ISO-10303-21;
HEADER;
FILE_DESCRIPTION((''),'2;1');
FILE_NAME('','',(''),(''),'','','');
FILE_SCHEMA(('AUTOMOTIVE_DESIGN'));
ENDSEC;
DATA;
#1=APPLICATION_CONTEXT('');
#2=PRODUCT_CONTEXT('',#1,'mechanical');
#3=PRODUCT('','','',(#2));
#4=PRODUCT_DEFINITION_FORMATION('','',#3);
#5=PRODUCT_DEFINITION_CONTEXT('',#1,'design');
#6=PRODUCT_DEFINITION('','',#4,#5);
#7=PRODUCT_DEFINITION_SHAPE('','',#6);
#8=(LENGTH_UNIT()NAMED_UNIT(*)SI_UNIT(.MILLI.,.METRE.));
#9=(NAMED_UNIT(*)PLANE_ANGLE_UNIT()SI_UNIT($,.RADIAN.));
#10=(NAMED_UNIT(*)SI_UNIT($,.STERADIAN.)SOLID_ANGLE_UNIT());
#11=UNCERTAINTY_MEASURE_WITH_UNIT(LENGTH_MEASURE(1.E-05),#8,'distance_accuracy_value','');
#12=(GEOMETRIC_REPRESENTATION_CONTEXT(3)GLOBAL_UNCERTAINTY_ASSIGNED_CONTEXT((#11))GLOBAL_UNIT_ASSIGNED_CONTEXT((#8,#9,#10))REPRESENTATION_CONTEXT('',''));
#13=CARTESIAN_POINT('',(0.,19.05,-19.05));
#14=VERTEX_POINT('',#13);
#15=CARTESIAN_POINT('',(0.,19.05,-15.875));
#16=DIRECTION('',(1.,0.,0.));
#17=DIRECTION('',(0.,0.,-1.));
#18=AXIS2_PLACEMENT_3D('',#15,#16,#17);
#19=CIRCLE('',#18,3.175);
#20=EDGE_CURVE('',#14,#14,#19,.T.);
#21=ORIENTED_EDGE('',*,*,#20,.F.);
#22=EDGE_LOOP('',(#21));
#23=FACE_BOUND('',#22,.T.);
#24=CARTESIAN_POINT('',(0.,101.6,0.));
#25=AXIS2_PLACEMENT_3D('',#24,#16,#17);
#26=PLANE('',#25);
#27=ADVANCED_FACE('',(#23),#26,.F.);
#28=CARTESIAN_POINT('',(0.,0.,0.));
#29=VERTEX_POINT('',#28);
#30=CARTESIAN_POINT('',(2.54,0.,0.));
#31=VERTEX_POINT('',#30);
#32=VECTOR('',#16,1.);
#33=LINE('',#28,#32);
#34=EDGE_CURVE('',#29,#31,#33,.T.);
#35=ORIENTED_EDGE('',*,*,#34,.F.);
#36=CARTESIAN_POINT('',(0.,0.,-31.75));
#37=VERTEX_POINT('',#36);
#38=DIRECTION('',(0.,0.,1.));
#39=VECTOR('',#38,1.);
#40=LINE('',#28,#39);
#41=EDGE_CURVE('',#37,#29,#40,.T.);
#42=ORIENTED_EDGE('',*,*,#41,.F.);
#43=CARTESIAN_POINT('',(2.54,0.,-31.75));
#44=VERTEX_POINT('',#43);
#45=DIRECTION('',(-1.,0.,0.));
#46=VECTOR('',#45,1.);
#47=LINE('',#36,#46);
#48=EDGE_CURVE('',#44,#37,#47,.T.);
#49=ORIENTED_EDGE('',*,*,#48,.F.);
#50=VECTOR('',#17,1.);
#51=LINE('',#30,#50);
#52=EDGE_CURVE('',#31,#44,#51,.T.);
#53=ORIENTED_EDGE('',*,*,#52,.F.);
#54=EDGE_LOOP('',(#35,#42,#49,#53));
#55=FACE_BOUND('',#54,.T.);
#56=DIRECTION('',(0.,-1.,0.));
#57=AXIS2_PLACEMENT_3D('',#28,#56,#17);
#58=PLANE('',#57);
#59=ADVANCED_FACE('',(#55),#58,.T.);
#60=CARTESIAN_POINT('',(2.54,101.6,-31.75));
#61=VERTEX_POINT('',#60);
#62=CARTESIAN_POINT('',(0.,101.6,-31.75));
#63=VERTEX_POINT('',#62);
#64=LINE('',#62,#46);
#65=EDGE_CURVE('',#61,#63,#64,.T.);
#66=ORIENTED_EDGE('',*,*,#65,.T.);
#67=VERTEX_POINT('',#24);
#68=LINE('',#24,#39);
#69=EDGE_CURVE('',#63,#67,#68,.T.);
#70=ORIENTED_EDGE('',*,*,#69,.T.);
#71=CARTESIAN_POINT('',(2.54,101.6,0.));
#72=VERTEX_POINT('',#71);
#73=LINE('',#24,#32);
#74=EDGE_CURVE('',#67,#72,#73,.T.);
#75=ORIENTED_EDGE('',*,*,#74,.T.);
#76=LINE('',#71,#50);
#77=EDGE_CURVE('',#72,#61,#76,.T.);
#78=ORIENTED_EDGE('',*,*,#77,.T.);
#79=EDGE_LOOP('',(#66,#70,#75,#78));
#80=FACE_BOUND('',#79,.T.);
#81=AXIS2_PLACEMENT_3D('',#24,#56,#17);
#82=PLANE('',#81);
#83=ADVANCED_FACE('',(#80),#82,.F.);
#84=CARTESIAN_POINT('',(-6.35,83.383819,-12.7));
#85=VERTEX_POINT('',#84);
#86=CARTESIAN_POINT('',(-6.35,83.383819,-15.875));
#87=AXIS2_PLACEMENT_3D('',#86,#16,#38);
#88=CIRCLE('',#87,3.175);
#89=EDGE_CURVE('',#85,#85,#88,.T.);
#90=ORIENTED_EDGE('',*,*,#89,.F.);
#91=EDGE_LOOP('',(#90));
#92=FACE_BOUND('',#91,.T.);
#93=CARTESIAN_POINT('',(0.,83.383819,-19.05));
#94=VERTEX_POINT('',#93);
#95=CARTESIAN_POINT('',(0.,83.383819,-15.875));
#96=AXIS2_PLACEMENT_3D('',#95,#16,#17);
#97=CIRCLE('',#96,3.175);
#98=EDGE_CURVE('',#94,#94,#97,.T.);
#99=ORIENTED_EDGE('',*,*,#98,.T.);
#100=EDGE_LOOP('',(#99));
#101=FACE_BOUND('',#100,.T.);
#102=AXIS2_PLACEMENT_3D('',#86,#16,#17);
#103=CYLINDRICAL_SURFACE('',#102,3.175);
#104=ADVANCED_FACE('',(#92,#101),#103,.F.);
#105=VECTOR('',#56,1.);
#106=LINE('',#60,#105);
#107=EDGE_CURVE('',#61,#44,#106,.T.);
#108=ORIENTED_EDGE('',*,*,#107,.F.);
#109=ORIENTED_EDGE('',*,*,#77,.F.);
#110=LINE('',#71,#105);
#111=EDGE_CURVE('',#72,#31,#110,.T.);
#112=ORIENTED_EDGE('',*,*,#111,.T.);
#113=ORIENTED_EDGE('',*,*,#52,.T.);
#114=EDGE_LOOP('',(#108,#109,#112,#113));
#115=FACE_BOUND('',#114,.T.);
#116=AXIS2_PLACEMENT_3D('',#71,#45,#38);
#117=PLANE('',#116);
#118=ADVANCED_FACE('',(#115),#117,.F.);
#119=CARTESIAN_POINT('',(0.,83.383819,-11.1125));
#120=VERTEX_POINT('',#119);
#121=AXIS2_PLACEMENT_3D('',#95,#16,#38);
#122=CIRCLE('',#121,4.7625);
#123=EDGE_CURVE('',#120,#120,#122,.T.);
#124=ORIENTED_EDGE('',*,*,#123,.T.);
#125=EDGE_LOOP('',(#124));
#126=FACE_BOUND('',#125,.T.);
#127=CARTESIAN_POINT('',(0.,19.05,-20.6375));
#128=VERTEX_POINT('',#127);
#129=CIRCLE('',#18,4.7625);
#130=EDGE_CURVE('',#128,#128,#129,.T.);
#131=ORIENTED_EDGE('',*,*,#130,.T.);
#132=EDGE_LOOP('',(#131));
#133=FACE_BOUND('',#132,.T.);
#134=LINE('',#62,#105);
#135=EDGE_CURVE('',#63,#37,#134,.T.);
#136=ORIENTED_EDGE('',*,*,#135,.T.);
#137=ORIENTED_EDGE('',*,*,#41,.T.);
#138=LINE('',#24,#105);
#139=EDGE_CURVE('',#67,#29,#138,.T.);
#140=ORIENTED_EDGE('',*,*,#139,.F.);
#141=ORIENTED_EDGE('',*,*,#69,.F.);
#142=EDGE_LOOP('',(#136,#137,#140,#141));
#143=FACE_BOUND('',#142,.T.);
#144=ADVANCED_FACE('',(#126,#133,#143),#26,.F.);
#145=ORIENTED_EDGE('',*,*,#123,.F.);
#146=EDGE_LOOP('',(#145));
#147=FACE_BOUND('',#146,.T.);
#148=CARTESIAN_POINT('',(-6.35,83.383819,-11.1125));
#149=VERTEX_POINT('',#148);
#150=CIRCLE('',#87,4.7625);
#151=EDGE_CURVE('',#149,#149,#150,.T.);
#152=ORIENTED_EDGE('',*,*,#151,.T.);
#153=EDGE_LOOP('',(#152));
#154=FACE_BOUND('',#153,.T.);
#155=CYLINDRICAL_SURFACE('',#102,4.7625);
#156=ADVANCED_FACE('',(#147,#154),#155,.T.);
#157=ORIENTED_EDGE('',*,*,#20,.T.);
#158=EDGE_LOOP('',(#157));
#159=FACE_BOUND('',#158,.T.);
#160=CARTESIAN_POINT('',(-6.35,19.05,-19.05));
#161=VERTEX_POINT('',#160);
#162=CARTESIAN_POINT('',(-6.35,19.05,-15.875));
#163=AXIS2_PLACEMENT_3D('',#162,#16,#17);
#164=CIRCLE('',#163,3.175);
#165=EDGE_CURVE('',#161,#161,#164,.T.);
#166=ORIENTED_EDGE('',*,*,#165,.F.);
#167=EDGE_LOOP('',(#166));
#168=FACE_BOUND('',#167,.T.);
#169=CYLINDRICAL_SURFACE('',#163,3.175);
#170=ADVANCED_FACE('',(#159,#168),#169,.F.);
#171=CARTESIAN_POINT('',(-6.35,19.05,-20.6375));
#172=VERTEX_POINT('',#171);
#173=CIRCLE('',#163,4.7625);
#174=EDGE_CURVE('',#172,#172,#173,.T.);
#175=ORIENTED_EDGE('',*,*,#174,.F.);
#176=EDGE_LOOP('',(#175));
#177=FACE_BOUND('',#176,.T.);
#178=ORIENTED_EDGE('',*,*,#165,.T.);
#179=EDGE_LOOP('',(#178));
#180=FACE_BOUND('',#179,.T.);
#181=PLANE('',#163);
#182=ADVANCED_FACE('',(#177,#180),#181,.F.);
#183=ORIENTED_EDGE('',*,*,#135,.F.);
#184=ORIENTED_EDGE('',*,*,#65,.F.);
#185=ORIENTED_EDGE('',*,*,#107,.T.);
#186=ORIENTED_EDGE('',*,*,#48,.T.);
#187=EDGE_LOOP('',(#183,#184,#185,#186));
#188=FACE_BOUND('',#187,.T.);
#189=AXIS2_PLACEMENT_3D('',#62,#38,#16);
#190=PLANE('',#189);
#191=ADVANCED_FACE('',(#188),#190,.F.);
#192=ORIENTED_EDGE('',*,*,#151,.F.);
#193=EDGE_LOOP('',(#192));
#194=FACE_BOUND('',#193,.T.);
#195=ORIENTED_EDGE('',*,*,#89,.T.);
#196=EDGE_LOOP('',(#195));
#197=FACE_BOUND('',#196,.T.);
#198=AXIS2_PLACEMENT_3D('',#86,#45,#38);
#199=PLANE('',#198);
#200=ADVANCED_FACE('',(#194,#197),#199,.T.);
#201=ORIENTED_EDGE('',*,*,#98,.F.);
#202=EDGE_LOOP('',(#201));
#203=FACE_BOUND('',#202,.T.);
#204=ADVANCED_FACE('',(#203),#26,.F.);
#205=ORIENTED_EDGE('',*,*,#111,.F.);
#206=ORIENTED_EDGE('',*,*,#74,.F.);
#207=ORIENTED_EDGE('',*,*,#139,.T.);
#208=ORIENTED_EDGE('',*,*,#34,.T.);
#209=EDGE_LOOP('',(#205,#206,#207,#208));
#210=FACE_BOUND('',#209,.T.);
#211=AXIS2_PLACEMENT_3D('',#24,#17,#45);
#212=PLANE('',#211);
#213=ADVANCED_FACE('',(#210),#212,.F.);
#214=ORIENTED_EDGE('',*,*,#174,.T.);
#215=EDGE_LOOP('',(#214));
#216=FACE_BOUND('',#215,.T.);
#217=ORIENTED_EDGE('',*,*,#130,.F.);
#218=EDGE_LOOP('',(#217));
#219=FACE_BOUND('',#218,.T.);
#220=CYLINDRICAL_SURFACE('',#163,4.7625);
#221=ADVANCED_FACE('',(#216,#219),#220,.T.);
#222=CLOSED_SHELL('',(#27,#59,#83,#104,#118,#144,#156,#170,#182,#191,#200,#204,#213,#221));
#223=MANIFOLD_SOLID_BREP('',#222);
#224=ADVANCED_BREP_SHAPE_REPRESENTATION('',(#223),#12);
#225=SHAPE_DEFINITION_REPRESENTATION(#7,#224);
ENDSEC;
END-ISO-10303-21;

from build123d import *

# Parameters (mm, degrees)
SKETCH1_W           = 2.54
SKETCH1_H           = 31.75
BOSS_EXTRUDE1_DEPTH = 101.6
SKETCH5_R           = 4.7625
SKETCH5_R_2         = 3.175
BOSS_EXTRUDE3_DEPTH = 6.35


with BuildPart() as part:
    # Sketch1 → Boss-Extrude1 (new body)
    with BuildSketch(Plane(origin=(0, 0, 0), x_dir=(1, 0, 0), z_dir=(0, 1, 0))):
        with Locations((1.27, 15.875)):
            Rectangle(SKETCH1_W, SKETCH1_H)
    extrude(amount=BOSS_EXTRUDE1_DEPTH)

    # Sketch5 → Boss-Extrude3 (add)
    with BuildSketch(Plane(origin=(0, 0, 0), x_dir=(0, 0, -1), z_dir=(1, 0, 0))):
        with Locations((15.875, 19.05)):
            Circle(SKETCH5_R)
        with Locations((15.875, 19.05)):
            Circle(SKETCH5_R_2, mode=Mode.SUBTRACT)
        with Locations((15.875, 83.383819167)):
            Circle(SKETCH5_R)
        with Locations((15.875, 83.383819167)):
            Circle(SKETCH5_R_2, mode=Mode.SUBTRACT)
    extrude(amount=-BOSS_EXTRUDE3_DEPTH)


solid = part.part
